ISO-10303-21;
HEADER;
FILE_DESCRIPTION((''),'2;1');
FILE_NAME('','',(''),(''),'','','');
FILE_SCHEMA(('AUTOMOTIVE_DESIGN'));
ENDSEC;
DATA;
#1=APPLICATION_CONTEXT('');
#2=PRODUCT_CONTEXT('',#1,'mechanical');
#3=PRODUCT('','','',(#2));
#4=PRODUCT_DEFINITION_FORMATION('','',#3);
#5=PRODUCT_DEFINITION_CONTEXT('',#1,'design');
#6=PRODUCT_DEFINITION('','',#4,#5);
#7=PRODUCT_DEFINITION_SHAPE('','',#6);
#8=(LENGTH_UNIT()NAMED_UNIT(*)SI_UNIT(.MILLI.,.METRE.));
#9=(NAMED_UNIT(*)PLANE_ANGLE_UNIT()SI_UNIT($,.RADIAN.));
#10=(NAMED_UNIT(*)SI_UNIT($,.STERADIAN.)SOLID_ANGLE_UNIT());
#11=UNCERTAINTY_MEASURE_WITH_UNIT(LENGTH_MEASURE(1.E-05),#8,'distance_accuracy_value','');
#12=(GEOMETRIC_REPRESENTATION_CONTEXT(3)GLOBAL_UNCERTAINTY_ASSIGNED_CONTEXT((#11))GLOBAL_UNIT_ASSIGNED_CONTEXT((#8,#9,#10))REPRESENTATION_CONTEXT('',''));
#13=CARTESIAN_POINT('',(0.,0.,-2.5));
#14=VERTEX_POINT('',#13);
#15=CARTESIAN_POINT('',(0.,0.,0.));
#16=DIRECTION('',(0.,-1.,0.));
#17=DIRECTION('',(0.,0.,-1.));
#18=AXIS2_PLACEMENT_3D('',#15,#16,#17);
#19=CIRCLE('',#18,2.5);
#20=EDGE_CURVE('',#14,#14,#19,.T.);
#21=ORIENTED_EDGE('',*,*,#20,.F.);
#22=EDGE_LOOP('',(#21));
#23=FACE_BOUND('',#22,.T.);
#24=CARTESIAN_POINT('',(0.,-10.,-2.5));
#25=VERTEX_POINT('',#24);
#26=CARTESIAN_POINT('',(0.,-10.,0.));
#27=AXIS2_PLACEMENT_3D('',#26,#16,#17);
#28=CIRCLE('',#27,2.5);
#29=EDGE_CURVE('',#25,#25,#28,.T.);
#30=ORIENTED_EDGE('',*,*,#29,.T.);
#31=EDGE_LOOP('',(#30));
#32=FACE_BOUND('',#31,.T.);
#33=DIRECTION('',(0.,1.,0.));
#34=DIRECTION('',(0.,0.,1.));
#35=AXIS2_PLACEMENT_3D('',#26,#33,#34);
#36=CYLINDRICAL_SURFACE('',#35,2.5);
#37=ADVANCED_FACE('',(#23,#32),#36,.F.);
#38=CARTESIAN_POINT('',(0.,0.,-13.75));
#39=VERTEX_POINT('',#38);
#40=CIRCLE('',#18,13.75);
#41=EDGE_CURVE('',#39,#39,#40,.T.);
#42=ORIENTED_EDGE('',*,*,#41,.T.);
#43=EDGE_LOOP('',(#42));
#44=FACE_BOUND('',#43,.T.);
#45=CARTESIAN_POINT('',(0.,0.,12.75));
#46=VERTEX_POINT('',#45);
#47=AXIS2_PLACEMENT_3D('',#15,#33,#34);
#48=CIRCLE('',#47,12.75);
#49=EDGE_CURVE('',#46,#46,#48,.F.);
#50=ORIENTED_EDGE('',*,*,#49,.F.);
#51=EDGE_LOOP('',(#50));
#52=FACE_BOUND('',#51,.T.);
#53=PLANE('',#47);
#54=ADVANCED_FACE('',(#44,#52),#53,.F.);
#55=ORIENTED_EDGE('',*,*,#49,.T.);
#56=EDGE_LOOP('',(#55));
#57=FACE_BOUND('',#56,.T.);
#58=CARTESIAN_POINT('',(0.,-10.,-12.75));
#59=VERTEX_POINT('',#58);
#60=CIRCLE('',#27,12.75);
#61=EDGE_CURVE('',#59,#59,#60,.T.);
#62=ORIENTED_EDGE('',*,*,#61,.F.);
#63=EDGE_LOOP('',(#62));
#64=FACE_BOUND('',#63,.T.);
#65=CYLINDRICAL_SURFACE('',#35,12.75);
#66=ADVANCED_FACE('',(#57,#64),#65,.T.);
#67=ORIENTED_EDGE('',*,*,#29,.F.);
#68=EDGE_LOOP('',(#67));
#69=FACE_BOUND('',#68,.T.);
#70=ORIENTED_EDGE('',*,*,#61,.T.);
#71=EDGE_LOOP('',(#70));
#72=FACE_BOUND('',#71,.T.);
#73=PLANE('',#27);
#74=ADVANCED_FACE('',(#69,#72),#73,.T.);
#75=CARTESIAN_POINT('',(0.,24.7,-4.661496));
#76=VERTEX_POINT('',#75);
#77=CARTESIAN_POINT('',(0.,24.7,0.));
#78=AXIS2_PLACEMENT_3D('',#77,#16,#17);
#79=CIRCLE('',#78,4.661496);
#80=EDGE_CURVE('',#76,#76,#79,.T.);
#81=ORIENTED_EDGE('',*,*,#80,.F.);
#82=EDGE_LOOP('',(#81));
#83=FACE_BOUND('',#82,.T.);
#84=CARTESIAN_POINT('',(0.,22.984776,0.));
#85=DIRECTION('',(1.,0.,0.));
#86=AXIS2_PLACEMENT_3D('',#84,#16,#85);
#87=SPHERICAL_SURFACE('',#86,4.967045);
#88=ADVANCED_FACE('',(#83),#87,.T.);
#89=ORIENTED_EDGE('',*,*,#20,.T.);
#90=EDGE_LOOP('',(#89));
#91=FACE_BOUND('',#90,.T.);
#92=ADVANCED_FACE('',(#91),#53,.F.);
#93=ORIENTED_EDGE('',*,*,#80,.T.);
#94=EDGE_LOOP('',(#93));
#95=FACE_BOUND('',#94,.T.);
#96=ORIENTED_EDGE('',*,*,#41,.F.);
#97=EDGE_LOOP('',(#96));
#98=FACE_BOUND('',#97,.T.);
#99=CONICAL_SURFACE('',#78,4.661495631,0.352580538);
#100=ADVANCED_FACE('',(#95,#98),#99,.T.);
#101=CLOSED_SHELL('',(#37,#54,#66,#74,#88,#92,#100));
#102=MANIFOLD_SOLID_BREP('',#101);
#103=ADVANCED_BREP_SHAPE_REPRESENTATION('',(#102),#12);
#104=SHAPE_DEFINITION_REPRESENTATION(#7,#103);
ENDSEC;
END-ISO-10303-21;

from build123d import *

# Parameters (mm, degrees)
SKETCH6_R           = 12.75
SKETCH6_R_2         = 2.5
BOSS_EXTRUDE2_DEPTH = 10


with BuildPart() as part:
    # Sketch5 → Revolve2 (revolve)
    with BuildSketch(Plane.XY, mode=Mode.PRIVATE) as revolve2_sk:
        with BuildLine():
            Line((0, 0), (-13.75, 0))
            Line((-13.75, 0), (-4.661495631, 24.7))
            ThreePointArc((-4.661495631, 24.7), (-2.841825215, 27.058541596), (0, 27.951821134))
            Line((0, 27.951821134), (0, 24.7))
            Line((0, 24.7), (0, 0))
        make_face()
    revolve(revolve2_sk.sketch.rotate(Axis((0, 0, 0), (0, 1, 0)), 270), axis=Axis((0, 0, 0), (0, 1, 0)))

    # Sketch6 → Boss-Extrude2 (add)
    with BuildSketch(Plane.XZ):
        with Locations(Location((0, 0, 0), (0, 0, 90))):
            Circle(SKETCH6_R)
        with Locations(Location((0, 0, 0), (0, 0, 270))):
            Circle(SKETCH6_R_2, mode=Mode.SUBTRACT)
    extrude(amount=BOSS_EXTRUDE2_DEPTH)


solid = part.part
